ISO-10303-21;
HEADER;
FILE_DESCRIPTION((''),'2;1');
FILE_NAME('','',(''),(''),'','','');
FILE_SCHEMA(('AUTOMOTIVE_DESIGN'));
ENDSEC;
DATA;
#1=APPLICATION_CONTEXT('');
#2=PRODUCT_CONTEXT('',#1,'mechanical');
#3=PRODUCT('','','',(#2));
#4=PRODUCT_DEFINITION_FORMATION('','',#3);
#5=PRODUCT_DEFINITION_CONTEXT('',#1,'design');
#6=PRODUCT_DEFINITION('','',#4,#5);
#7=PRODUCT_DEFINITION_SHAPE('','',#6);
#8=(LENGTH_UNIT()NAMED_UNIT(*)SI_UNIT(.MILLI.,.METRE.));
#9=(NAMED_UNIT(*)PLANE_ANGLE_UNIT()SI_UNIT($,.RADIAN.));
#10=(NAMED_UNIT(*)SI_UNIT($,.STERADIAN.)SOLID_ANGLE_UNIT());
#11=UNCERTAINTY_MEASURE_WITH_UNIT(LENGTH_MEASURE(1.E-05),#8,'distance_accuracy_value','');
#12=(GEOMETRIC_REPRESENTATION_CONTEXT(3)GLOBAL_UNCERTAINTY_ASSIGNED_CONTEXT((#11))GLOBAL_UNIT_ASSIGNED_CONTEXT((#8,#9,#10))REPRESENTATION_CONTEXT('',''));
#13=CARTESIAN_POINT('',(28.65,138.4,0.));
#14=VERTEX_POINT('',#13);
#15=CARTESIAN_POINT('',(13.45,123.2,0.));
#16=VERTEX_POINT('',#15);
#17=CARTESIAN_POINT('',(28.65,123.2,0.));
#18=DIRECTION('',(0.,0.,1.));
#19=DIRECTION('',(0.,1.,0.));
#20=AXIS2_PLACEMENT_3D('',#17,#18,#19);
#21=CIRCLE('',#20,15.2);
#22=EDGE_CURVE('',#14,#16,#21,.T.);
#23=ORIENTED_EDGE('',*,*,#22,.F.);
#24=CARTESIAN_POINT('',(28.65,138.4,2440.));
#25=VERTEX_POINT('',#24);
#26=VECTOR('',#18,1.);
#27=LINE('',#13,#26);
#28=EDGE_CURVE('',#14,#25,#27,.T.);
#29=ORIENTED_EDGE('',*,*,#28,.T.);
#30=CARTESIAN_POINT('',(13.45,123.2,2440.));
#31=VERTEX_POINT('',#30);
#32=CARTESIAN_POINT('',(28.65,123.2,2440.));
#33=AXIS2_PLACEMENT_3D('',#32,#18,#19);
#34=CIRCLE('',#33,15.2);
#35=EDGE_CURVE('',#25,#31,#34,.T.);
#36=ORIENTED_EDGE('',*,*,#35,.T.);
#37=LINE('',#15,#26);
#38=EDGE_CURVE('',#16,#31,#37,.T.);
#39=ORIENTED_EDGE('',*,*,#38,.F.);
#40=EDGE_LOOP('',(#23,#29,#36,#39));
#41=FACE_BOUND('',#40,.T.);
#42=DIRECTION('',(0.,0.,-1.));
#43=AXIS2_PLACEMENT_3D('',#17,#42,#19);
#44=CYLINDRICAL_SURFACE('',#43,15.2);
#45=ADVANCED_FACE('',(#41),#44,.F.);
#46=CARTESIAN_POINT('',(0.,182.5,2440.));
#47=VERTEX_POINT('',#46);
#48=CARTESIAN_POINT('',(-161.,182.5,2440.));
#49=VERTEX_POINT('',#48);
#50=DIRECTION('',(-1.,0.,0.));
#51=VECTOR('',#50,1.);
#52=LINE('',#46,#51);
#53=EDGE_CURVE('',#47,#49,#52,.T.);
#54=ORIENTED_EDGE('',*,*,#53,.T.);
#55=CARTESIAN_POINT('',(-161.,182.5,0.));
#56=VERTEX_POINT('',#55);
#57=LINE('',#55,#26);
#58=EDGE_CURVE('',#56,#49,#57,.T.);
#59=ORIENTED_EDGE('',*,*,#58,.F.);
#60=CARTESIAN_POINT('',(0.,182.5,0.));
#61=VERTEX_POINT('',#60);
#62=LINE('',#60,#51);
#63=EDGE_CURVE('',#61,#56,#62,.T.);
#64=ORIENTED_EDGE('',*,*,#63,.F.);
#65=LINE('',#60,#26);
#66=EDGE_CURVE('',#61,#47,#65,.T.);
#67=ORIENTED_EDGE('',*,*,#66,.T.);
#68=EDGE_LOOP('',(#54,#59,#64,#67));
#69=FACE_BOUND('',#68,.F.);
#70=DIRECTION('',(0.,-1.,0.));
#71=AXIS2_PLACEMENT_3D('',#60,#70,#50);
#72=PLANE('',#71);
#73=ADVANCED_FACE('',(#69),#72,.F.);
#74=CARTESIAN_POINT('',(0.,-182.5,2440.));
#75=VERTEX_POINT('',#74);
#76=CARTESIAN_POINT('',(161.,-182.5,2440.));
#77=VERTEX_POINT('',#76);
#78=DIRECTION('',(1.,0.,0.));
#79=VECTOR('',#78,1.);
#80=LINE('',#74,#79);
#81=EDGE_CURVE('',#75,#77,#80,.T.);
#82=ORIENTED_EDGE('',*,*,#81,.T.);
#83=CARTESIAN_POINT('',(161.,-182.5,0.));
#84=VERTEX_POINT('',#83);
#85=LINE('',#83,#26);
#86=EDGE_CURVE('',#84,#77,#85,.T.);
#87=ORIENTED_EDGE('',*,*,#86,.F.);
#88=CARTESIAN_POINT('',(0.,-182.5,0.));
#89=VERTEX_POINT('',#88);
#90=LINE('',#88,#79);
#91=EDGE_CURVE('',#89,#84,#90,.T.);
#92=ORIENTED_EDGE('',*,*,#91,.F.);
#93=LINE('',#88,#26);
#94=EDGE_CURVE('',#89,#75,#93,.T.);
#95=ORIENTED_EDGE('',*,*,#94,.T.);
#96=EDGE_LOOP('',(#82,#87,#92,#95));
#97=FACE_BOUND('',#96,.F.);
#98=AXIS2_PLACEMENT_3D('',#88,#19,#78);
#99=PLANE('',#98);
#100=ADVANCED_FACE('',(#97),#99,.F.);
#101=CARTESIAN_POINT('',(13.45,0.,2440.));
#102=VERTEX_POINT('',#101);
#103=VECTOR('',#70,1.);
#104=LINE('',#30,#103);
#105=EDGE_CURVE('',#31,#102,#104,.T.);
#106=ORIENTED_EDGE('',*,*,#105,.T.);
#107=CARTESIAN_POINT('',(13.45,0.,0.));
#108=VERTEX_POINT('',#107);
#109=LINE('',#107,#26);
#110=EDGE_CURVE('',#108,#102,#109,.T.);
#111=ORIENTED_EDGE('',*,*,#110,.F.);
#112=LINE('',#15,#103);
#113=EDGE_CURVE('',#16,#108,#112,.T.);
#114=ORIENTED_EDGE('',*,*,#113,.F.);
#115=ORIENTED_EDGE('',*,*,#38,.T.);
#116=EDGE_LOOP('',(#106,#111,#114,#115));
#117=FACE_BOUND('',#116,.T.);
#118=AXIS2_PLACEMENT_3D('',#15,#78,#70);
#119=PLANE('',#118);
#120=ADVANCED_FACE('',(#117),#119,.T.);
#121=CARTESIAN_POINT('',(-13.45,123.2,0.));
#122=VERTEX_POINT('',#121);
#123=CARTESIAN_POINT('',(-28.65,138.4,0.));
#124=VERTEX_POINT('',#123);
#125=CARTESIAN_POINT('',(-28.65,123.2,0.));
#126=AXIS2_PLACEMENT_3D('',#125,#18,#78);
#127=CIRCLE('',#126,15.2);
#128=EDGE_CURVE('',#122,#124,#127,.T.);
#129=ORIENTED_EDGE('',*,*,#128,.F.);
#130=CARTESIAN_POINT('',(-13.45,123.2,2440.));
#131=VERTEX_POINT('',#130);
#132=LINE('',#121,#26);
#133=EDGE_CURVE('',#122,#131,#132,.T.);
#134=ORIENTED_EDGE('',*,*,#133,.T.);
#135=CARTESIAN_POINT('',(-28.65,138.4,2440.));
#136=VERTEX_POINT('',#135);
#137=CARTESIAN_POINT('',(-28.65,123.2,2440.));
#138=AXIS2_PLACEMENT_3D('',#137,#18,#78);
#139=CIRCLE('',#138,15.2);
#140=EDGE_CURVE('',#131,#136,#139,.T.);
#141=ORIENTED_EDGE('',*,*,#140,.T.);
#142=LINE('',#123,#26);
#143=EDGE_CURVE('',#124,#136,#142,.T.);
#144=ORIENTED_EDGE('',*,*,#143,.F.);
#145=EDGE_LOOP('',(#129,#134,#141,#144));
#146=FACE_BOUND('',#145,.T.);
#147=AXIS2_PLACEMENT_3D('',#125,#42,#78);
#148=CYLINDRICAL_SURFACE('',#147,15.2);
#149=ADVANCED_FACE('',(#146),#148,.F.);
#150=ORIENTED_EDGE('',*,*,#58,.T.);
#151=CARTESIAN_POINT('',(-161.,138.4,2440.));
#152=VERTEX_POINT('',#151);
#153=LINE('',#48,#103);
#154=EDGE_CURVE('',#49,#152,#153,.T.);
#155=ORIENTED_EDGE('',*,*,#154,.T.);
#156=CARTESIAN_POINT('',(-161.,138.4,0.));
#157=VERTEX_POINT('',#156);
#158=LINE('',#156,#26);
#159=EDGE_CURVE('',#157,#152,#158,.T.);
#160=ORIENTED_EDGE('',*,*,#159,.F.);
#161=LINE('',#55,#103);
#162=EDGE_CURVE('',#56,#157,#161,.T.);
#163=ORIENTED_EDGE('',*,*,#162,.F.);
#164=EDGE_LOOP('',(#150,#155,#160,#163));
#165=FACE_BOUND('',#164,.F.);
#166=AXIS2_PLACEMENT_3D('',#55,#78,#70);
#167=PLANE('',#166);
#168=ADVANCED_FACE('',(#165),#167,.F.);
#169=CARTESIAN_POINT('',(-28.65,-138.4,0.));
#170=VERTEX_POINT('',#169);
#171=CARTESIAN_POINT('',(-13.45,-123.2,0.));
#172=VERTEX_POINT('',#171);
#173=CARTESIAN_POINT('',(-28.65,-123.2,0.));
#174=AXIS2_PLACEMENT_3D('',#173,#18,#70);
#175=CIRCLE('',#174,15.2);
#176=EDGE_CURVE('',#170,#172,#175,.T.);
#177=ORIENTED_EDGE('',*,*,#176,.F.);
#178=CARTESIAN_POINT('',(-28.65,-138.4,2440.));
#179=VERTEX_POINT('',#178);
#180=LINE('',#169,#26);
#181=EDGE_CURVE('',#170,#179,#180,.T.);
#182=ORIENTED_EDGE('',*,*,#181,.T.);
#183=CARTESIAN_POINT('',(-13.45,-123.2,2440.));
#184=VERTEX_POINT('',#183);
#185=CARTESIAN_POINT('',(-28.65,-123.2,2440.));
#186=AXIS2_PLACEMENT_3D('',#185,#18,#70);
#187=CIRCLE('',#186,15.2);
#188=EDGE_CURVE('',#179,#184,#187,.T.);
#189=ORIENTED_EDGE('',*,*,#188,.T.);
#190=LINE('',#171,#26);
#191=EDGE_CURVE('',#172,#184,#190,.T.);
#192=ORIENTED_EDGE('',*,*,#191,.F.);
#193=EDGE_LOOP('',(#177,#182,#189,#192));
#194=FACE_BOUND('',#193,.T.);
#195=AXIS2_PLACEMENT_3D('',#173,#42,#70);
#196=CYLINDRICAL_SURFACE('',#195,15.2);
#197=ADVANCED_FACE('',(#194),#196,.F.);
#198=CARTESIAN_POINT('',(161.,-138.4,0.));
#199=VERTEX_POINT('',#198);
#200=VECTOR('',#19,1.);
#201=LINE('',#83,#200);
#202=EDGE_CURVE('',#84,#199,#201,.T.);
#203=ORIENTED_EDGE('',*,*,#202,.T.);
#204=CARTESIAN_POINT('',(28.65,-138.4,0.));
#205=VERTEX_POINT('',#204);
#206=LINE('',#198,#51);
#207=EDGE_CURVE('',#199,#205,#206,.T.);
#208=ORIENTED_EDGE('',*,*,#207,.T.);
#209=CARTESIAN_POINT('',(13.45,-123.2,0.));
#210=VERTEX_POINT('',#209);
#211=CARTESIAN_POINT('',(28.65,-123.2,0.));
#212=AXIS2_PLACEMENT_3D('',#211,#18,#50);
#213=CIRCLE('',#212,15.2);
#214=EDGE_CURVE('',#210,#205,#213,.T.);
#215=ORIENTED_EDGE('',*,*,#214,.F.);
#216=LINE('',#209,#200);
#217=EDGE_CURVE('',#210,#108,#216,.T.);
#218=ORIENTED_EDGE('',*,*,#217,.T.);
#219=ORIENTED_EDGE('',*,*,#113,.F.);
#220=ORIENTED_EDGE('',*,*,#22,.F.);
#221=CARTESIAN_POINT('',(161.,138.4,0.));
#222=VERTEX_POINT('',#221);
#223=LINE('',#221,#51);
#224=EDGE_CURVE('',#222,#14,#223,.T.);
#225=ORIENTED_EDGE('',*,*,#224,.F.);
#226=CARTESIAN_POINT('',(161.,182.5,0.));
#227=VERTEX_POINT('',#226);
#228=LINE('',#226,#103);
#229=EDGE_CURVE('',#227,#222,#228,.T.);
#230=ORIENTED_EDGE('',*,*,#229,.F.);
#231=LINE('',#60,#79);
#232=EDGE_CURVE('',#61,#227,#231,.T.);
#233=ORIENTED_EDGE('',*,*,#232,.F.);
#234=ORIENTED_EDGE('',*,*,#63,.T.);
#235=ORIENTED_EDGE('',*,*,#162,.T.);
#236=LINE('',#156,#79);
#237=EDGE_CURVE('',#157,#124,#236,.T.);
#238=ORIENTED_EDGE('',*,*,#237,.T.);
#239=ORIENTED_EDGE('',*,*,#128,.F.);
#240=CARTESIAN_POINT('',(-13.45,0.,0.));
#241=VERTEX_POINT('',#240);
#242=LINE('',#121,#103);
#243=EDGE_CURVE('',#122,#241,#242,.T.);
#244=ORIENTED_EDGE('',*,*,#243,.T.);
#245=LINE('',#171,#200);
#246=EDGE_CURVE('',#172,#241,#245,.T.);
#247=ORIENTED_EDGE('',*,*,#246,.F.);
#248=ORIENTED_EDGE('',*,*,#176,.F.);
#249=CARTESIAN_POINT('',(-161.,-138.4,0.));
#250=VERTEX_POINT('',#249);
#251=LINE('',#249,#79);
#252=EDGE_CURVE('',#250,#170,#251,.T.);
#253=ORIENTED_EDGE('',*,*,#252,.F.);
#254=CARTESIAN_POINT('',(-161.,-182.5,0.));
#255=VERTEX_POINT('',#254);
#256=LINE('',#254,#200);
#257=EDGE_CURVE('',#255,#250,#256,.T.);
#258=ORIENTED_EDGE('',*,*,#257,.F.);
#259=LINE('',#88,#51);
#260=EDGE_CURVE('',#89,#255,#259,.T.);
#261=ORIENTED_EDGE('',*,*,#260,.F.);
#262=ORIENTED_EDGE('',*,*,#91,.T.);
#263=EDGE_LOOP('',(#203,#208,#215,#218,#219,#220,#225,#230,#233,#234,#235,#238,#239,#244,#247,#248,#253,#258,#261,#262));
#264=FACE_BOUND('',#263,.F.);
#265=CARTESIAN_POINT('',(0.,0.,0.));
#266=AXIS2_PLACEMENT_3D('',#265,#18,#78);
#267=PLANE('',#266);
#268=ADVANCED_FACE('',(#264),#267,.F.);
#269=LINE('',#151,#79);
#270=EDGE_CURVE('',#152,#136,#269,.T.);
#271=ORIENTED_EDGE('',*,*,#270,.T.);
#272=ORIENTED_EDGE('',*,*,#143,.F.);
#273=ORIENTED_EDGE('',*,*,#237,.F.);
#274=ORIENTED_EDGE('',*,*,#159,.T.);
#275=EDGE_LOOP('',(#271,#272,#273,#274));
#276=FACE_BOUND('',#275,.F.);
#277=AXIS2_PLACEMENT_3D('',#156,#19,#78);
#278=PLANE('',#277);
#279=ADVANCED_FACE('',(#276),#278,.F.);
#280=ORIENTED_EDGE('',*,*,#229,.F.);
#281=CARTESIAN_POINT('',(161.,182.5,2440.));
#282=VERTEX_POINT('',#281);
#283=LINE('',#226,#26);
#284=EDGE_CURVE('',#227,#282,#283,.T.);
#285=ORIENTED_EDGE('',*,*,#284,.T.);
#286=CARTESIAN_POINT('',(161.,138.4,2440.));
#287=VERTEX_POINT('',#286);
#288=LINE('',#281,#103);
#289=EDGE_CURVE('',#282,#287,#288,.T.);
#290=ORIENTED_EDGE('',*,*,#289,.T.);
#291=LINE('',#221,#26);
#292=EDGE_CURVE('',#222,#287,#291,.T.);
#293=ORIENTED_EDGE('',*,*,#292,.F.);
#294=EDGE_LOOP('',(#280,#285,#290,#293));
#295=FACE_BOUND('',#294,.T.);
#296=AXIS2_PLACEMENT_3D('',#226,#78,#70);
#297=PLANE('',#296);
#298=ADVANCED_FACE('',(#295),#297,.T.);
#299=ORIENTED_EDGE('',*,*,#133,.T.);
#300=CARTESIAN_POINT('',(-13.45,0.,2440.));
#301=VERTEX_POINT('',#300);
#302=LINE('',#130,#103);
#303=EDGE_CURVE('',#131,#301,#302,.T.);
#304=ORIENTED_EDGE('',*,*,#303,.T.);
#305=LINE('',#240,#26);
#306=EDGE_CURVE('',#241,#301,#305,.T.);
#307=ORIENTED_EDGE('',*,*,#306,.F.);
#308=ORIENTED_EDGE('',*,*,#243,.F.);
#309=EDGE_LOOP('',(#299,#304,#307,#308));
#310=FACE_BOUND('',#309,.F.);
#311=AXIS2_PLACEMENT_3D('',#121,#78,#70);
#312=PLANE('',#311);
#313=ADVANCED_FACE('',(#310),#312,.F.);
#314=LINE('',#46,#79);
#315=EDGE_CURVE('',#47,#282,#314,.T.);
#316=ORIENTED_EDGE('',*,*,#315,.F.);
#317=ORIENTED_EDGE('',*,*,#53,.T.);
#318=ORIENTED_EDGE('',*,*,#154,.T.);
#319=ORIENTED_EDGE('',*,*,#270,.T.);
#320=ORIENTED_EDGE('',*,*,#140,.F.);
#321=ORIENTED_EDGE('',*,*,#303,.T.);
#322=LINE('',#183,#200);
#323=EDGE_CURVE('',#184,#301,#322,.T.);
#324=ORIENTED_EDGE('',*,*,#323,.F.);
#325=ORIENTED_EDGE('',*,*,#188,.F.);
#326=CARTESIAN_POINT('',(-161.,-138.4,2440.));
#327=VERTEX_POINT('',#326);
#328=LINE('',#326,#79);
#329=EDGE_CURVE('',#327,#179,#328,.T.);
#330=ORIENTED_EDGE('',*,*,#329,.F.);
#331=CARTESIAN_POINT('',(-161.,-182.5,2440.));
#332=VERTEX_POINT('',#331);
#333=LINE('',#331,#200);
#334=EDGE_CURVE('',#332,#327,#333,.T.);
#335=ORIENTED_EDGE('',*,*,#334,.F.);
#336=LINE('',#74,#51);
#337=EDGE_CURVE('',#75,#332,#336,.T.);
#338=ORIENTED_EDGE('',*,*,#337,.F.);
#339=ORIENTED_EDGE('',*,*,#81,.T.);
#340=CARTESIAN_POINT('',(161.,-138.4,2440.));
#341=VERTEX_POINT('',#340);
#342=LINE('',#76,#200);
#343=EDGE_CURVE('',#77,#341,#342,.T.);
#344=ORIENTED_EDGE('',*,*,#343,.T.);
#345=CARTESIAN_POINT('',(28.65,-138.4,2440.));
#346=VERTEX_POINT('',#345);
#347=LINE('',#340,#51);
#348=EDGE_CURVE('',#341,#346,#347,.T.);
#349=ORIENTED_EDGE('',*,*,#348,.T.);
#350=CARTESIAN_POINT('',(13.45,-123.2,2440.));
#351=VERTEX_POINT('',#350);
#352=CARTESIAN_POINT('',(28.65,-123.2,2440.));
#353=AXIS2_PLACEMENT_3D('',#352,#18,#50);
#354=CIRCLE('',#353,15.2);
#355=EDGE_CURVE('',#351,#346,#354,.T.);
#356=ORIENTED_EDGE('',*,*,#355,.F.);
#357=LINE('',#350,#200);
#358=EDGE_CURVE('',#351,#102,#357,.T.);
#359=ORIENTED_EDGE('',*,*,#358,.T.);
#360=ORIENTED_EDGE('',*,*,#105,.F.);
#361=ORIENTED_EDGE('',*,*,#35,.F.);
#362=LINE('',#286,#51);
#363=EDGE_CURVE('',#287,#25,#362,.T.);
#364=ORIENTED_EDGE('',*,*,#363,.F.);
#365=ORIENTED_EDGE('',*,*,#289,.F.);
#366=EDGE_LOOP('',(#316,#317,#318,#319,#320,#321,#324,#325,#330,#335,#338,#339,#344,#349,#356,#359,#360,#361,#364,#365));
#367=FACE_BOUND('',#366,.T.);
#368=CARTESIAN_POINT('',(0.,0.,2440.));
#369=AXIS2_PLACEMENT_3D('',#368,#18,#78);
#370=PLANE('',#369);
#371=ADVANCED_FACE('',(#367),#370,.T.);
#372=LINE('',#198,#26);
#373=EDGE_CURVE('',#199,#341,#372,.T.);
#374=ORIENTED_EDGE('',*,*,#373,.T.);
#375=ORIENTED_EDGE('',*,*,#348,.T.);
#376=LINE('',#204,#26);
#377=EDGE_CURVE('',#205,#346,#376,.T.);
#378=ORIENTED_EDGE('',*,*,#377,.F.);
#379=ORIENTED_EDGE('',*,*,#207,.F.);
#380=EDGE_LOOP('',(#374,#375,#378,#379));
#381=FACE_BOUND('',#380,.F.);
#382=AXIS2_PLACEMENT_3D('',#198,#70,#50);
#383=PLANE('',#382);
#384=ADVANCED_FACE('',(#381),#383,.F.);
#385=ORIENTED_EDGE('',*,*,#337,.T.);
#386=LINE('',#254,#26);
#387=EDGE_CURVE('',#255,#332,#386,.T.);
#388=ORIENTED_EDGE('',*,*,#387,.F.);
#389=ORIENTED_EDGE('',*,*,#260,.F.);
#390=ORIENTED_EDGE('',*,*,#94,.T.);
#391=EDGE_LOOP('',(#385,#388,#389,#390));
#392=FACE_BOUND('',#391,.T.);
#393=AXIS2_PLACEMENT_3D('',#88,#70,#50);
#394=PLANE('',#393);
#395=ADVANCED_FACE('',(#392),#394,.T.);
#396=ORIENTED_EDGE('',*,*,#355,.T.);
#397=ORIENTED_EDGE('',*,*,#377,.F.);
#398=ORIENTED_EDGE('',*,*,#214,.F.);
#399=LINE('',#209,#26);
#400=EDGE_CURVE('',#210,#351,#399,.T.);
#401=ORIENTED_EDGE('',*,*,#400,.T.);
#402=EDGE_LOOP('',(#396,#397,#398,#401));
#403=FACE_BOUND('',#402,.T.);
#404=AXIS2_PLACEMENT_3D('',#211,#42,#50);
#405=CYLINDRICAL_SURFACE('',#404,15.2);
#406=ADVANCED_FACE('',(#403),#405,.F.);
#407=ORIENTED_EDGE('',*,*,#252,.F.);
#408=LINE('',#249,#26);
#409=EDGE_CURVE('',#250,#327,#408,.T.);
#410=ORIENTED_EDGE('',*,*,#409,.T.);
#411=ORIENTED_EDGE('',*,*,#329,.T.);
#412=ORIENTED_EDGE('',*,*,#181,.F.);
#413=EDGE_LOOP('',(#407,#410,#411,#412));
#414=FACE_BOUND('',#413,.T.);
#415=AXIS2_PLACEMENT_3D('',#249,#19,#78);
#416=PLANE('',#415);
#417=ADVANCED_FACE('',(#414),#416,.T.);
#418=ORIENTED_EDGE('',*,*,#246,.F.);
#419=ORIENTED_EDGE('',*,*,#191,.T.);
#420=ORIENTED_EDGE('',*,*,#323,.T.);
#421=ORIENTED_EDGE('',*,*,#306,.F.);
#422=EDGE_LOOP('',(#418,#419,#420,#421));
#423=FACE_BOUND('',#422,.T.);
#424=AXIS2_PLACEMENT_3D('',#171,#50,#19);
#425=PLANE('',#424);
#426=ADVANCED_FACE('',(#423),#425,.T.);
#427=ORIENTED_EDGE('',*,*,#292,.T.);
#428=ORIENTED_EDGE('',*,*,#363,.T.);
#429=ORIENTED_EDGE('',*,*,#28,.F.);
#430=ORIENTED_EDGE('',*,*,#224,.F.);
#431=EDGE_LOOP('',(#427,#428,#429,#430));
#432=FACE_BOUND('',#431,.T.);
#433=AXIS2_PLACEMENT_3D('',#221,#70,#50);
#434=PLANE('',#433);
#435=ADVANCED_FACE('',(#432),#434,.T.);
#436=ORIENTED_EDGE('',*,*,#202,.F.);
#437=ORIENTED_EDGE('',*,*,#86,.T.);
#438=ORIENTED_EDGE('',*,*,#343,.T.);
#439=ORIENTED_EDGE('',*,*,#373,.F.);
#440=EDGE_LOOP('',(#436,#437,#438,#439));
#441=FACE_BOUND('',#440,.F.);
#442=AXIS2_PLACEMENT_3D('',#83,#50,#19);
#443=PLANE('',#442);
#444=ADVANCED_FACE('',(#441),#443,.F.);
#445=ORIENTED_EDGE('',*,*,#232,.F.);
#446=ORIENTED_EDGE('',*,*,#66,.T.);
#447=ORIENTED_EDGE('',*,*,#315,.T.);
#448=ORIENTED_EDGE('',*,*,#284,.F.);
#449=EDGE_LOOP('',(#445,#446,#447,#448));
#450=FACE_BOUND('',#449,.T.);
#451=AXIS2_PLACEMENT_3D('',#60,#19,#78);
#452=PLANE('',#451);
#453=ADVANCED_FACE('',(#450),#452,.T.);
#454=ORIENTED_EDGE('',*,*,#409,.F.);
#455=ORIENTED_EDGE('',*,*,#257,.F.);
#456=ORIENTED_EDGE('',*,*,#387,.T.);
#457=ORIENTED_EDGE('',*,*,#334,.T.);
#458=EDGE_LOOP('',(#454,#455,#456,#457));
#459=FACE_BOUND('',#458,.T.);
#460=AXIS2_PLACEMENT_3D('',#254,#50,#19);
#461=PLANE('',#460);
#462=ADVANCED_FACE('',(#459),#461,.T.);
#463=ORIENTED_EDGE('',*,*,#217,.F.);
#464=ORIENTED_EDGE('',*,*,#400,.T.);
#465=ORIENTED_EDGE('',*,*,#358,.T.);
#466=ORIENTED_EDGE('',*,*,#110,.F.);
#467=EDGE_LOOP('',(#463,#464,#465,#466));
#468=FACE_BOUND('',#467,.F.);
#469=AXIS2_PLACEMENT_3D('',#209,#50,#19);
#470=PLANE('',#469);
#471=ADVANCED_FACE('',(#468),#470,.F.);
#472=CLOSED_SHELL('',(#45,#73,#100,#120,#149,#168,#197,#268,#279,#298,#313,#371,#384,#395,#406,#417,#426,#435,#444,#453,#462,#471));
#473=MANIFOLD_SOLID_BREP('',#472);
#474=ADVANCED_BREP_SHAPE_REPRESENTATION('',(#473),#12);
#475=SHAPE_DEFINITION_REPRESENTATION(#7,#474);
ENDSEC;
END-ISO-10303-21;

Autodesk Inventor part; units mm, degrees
ref_plane "YZ Plane" through (0, 0, 0) normal (1, 0, 0) x (0, 1, 0)
ref_plane "Start plane" through (0, 0, 0) normal (0, 0, 1) x (1, 0, 0)
ref_plane "End plane" through (0, 0, 2440) normal (0, 0, 1) x (1, 0, 0)
sketch "Sketch" plane through (0, 0, 0) normal (0, 0, 1) x (1, 0, 0)
  line L0 (-161, -182.5) -> (-161, -138.4)
  line L1 (-161, -138.4) -> (-28.65, -138.4)
  line L2 (-13.45, -123.2) -> (-13.45, 0)
  line L3 (-13.45, 0) -> (0, 0) construction
  line L4 (0, 0) -> (0, -182.5) construction
  line L5 (0, -182.5) -> (-161, -182.5)
  line L6 (-60, 0) -> (80, 0) construction
  line L7 (0, -60) -> (0, 80) construction
  line L8 (161, -182.5) -> (161, -138.4)
  line L9 (161, -138.4) -> (28.65, -138.4)
  line L10 (13.45, -123.2) -> (13.45, 0)
  line L11 (13.45, 0) -> (0, 0) construction
  line L12 (0, -182.5) -> (161, -182.5)
  line L13 (-161, 182.5) -> (-161, 138.4)
  line L14 (-161, 138.4) -> (-28.65, 138.4)
  line L15 (-13.45, 123.2) -> (-13.45, 0)
  line L16 (0, 182.5) -> (-161, 182.5)
  line L17 (161, 182.5) -> (161, 138.4)
  line L18 (161, 138.4) -> (28.65, 138.4)
  line L19 (0, 182.5) -> (161, 182.5)
  line L20 (13.45, 123.2) -> (13.45, 0)
  arc A0 (-13.45, 123.2) -> (-28.65, 138.4) centre (-28.65, 123.2) ccw
  arc A1 (28.65, 138.4) -> (13.45, 123.2) centre (28.65, 123.2) ccw
  arc A2 (13.45, -123.2) -> (28.65, -138.4) centre (28.65, -123.2) ccw
  arc A3 (-28.65, -138.4) -> (-13.45, -123.2) centre (-28.65, -123.2) ccw
  line L21 (0, 108) -> (0, -88) construction
  line L22 (-88, 0) -> (108, 0) construction
  point P0 (-13.45, -138.4)
  point P1 (13.45, -138.4)
  point P2 (-13.45, 138.4)
  point P3 (13.45, 138.4)
  dimension "d1" = 182.5
  dimension "d2" = 44.1
  dimension "d3" = 161
  dimension "d4" = 13.45
  dimension "d10" = 15.2
extrude "Body" add sketch "Sketch" along normal up to surface (2440 mm away) from surface at 0
sketch "Sketch4" plane through (0, 0, 0) normal (0, 0, 1) x (1, 0, 0)
  line L0 (0, 0) -> (10, 0)
ref_plane "Work Plane3" through (0, 0, 0) normal (0, -1, 0) x (1, 0, 0)
sketch "Sketch5" plane through (0, 0, 0) normal (0, -1, 0) x (1, 0, 0)
  line L0 (-2, 0) -> (12, 0) projected
  line L1 (-2, 2440) -> (12, 2440) projected
  dimension "d14" = 2440
equation "\"d1\" = 0.5 * G_H"
equation "\"d2\" = G_T1"
equation "\"d3\" = 0.5 * G_W"
equation "\"d4\" = 0.5 * G_T"
equation "\"d10\" = G_IR"
equation "\"d5\" = G_L"
equation "\"G_W\" = 322"
equation "\"G_H\" = 365"
equation "\"G_T\" = 26.9"
equation "\"G_T1\" = 44.1"
equation "\"G_IR\" = 15.2"
equation "\"G_L\" = d14"
equation "\"G_OFFSET_START\" = 0"
equation "\"G_OFFSET_END\" = 0"
properties part number "AS 3679 - 310 UC - 283 - 2440" material "Steel, Mild"
